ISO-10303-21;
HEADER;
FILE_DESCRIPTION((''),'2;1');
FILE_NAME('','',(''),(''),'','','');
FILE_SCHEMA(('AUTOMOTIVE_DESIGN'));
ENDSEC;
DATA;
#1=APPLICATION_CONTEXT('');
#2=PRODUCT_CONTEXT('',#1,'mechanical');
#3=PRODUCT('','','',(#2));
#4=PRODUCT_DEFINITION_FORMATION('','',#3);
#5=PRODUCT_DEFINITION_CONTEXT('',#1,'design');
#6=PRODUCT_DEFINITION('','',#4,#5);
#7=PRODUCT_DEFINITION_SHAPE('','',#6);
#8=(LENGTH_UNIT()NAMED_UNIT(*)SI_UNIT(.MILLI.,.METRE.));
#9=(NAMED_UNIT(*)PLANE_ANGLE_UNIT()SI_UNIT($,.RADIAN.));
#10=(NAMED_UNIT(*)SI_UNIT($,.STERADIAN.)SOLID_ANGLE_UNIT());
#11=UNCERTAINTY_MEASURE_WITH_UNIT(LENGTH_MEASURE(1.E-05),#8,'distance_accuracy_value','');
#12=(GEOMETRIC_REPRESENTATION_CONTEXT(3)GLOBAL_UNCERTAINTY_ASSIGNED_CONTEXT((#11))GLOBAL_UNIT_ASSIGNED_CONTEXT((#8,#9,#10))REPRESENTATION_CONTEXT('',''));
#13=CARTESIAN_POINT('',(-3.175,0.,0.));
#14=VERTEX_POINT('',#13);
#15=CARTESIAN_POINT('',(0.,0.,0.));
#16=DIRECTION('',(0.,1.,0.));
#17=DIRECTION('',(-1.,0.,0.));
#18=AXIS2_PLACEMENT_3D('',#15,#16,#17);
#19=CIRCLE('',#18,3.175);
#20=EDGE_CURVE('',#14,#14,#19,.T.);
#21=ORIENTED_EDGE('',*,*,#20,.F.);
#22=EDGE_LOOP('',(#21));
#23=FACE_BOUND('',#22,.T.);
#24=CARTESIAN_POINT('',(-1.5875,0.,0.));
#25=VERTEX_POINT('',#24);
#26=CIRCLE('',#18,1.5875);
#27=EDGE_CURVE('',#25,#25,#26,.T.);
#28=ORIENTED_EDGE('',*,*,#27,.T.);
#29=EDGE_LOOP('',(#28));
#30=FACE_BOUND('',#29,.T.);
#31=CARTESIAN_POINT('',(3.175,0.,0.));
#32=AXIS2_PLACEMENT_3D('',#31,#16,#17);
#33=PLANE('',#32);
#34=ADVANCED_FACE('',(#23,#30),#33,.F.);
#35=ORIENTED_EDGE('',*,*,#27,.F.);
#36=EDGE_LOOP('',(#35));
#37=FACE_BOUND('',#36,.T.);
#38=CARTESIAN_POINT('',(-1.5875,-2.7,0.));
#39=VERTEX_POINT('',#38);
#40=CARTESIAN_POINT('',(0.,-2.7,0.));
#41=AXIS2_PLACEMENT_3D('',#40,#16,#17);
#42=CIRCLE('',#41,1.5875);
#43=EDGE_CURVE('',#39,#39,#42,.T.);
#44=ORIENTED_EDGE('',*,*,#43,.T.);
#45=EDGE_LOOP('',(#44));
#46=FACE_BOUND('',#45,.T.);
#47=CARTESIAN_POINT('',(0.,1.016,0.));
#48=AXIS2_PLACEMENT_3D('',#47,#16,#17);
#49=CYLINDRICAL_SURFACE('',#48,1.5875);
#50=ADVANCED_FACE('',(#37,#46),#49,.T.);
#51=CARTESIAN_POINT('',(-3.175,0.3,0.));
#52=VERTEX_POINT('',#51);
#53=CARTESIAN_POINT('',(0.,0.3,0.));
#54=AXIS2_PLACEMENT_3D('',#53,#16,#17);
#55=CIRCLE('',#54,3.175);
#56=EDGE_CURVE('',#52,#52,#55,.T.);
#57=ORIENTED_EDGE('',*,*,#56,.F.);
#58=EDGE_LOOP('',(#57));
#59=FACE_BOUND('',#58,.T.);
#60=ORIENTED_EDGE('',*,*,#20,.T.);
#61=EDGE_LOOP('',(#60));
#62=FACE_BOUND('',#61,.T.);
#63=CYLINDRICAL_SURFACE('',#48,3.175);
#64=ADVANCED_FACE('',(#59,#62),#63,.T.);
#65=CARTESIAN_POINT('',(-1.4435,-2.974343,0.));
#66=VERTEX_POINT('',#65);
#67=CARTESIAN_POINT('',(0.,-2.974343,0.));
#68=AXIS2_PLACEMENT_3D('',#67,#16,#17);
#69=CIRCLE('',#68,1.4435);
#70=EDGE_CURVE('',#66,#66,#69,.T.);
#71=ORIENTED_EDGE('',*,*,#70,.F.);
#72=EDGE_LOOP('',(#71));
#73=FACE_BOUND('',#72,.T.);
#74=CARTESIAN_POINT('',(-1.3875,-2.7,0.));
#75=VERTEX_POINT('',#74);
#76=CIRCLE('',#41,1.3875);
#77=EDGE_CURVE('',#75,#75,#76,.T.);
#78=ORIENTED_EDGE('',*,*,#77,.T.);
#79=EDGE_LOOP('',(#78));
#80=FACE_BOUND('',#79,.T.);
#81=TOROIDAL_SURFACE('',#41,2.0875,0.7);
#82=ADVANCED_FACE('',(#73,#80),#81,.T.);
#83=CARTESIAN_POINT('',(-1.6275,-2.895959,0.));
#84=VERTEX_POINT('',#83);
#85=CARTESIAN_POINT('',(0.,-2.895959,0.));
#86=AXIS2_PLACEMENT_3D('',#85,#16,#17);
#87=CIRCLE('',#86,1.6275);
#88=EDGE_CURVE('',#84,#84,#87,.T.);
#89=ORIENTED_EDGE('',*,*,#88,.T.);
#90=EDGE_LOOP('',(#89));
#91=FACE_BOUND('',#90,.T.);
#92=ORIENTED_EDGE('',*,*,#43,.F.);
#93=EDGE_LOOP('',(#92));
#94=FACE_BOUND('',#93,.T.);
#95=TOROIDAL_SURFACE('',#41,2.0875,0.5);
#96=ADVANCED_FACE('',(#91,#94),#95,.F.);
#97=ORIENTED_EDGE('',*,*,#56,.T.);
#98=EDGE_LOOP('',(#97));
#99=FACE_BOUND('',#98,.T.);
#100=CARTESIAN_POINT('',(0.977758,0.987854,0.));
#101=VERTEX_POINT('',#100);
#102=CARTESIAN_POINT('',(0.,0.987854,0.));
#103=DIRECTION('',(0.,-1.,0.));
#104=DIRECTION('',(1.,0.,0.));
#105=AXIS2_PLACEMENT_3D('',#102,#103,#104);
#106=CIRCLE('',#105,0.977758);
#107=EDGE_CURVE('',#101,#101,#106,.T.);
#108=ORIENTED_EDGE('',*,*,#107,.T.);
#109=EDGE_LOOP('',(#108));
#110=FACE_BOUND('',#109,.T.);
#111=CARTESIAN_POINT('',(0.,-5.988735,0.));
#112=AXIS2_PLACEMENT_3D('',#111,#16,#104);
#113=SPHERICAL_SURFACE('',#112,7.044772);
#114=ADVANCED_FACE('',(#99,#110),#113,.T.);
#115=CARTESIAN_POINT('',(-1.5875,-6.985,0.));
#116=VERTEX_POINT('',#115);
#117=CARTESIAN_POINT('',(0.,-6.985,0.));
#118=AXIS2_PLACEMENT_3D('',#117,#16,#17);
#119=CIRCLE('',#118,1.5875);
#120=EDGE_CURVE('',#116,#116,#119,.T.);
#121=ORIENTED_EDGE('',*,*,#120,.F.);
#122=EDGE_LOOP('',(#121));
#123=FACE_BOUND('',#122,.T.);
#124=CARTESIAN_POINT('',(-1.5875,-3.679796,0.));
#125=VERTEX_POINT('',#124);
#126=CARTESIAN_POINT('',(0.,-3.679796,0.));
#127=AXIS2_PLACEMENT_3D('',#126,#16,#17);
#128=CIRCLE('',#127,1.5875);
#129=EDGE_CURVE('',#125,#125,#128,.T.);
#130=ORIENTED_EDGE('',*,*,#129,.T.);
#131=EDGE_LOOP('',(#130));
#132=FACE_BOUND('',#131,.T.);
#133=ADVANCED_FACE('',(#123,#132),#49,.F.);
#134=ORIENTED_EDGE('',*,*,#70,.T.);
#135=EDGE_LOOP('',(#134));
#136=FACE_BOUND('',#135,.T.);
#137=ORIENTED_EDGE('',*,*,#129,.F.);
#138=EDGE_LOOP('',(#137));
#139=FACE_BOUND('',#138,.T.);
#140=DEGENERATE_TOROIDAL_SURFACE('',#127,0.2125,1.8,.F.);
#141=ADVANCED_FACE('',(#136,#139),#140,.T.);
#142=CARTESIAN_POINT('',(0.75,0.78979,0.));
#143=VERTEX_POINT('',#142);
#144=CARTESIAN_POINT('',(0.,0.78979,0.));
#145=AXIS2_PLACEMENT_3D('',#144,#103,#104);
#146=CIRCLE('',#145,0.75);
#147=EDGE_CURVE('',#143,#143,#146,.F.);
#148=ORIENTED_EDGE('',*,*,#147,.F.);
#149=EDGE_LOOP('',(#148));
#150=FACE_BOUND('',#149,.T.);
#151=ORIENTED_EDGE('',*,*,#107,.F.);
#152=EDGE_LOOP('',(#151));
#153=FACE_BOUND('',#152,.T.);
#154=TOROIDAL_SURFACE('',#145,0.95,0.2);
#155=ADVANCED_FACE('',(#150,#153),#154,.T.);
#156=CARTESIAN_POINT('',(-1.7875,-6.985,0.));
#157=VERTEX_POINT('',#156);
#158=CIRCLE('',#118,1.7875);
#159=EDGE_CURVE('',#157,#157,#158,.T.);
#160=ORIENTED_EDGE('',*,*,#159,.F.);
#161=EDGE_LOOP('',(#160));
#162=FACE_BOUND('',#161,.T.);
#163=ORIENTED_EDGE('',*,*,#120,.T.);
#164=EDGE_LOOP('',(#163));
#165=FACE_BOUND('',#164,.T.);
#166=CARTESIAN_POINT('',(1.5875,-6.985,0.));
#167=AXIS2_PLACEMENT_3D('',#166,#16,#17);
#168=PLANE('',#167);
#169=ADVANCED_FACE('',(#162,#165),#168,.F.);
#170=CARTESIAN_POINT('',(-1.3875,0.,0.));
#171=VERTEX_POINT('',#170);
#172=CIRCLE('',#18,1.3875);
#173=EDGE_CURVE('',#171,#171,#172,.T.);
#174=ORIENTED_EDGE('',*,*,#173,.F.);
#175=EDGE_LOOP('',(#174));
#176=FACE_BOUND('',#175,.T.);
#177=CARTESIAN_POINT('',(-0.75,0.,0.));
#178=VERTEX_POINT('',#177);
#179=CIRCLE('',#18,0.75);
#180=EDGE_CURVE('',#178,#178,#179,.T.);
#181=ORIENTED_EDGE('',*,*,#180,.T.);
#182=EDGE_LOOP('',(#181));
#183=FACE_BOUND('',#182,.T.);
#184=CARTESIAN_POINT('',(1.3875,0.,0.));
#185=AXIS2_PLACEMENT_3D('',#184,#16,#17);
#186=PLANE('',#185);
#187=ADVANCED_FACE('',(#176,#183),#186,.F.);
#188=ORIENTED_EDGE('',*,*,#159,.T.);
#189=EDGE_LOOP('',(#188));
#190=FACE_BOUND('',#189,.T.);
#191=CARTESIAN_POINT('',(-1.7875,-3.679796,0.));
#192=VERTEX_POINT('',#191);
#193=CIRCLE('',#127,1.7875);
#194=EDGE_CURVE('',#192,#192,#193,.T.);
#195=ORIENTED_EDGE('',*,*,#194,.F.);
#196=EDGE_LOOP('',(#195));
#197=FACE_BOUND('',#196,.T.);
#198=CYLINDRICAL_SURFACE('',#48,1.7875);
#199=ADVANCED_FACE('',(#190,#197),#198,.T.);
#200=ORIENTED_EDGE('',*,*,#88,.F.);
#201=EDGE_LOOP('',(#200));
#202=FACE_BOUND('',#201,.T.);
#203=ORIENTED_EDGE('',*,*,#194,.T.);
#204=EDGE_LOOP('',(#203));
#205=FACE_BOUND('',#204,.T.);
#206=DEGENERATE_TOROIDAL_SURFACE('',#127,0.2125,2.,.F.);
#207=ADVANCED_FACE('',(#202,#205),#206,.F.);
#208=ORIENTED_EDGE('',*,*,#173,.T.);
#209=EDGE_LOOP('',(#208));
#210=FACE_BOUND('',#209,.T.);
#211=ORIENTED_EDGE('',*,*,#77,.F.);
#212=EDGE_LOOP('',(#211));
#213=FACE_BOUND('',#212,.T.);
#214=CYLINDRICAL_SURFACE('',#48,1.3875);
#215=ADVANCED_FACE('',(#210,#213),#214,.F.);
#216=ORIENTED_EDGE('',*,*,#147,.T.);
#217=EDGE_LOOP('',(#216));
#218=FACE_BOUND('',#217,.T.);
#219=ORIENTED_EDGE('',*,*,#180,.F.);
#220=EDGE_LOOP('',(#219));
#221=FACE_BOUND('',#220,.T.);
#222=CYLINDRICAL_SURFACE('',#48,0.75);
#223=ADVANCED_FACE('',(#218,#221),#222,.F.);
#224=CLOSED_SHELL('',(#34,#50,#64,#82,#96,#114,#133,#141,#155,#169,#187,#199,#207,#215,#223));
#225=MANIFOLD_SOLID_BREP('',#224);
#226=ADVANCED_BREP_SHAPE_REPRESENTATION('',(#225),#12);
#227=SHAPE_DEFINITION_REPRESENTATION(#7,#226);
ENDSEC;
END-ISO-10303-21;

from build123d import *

# Parameters (mm, degrees)
FILLET1_R = 0.2


with BuildPart() as part:
    # Sketch1 → Revolve1 (revolve)
    with BuildSketch(Plane.XY):
        with BuildLine():
            Line((1.5875, -3.679795897), (1.5875, -6.985))
            Line((1.5875, -6.985), (1.7875, -6.985))
            Line((1.7875, -6.985), (1.7875, -3.679795897))
            ThreePointArc((1.7875, -3.679795897), (1.747091794, -3.279795897), (1.6275, -2.895959179))
            ThreePointArc((1.6275, -2.895959179), (1.597602051, -2.8), (1.5875, -2.7))
            Line((1.5875, -2.7), (1.5875, 0))
            Line((1.5875, 0), (3.175, 0))
            Line((3.175, 0), (3.175, 0.3))
            ThreePointArc((3.175, 0.3), (1.994886024, 0.767687303), (0.75, 1.016))
            Line((0.75, 1.016), (0.75, 0))
            Line((0.75, 0), (1.3875, 0))
            Line((1.3875, 0), (1.3875, -2.7))
            ThreePointArc((1.3875, -2.7), (1.401642872, -2.84), (1.4435, -2.974342851))
            ThreePointArc((1.4435, -2.974342851), (1.551132615, -3.319795897), (1.5875, -3.679795897))
        make_face()
    revolve(axis=Axis((0, 1.016, 0), (0, -1, 0)))

    # Fillet1
    fillet1_edges = [part.edges().sort_by_distance(p)[0] for p in [
        (-0.75, 1.016, 0),
    ]]
    fillet(fillet1_edges, radius=FILLET1_R)


solid = part.part
